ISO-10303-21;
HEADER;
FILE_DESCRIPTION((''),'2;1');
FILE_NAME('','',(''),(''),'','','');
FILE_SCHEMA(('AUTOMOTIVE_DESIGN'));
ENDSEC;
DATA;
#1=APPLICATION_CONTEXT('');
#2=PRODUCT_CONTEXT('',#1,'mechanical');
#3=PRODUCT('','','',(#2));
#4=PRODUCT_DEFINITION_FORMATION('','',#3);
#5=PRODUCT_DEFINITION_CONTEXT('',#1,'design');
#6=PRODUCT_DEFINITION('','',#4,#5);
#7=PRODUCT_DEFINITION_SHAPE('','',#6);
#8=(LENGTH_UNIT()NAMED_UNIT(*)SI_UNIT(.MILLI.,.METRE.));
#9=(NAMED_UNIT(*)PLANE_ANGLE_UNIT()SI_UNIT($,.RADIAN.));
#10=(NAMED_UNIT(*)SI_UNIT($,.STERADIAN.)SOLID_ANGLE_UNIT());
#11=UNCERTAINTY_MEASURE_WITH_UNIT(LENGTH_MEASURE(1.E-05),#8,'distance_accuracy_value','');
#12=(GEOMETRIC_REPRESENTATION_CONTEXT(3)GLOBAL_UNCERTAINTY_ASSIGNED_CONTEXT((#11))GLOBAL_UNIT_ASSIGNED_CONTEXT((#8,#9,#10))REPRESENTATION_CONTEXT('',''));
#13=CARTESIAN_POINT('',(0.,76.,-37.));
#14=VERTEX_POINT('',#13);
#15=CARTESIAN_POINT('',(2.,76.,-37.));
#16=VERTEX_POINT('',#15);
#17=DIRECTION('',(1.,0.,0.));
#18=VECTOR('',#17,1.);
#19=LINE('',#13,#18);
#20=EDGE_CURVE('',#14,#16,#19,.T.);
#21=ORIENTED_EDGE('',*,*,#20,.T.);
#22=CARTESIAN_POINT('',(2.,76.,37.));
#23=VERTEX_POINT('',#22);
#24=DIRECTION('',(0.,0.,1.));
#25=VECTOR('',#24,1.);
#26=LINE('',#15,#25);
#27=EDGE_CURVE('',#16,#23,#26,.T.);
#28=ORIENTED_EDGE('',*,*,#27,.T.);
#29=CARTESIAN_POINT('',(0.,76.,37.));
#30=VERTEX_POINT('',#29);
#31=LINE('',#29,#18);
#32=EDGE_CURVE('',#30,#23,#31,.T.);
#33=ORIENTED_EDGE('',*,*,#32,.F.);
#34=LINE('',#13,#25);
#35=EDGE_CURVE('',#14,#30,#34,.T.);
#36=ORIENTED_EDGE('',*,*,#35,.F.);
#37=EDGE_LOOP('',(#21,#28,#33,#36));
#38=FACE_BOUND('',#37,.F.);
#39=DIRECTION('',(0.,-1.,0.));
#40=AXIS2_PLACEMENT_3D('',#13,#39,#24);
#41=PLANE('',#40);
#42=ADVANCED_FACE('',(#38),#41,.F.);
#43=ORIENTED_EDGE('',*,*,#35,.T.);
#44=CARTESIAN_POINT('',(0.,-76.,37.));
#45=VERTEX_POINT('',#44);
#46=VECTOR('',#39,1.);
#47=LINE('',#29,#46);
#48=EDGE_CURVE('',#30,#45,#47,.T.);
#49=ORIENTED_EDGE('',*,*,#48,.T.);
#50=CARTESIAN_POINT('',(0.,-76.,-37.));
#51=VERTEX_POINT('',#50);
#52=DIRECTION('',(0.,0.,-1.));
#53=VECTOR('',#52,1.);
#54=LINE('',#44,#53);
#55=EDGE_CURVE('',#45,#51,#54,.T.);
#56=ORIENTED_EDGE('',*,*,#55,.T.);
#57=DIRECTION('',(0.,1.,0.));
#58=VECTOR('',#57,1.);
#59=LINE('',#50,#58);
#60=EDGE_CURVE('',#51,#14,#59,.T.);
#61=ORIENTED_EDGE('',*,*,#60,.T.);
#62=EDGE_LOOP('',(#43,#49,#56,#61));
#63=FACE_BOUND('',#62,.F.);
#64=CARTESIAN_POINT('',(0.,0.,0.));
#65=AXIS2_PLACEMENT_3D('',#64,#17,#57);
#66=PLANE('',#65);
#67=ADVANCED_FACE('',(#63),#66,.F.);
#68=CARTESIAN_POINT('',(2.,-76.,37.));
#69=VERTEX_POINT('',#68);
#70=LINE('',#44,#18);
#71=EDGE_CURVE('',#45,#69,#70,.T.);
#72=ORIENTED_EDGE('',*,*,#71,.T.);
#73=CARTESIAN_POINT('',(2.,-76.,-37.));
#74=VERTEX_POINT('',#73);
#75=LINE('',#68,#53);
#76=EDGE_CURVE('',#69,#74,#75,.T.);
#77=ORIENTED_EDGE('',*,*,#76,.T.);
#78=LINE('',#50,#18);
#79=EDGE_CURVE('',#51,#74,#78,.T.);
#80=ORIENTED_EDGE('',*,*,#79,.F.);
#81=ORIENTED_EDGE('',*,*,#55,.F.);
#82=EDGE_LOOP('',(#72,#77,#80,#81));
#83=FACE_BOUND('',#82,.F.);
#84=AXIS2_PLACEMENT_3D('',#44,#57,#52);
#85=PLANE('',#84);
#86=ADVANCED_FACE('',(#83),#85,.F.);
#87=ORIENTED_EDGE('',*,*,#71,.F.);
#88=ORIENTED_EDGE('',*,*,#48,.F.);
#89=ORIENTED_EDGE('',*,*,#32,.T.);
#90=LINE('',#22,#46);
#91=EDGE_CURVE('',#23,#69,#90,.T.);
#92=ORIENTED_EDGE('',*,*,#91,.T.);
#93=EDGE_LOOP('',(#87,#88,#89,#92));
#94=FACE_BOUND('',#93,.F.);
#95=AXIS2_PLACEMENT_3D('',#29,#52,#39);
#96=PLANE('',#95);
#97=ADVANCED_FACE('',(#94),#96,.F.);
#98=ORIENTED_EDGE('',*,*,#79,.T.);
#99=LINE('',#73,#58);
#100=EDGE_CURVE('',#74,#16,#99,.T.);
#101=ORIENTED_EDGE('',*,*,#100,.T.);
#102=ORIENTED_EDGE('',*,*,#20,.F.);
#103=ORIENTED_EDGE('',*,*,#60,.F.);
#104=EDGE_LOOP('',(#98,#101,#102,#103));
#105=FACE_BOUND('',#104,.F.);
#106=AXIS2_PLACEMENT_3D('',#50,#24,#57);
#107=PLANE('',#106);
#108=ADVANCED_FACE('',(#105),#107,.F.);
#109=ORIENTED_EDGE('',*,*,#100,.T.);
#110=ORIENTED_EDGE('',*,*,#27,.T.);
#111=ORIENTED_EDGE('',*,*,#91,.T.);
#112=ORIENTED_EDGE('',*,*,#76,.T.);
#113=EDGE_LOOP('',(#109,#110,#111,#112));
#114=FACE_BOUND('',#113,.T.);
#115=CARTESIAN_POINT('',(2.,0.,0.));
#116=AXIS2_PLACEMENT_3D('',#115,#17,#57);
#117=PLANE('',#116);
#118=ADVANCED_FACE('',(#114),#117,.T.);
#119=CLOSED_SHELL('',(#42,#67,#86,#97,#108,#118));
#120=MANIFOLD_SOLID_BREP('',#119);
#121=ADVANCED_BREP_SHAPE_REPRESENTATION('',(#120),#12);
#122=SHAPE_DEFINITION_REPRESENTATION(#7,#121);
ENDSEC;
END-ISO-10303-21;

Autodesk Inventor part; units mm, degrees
ref_plane "YZ Plane" through (0, 0, 0) normal (1, 0, 0) x (0, 1, 0)
ref_plane "XZ Plane" through (0, 0, 0) normal (0, 1, 0) x (-1, 0, 0)
ref_plane "XY Plane" through (0, 0, 0) normal (0, 0, 1) x (1, 0, 0)
sketch "스케치1" plane through (0, 0, 0) normal (1, 0, 0) x (0, 1, 0)
  line L0 (76, 37) -> (-76, 37)
  line L1 (-76, 37) -> (-76, -37)
  line L2 (-76, -37) -> (76, -37)
  line L3 (76, -37) -> (76, 37)
  point P0 (0, 0)
  dimension "d0" = 152
  dimension "d1" = 74
  dimension "d2" = 37
  dimension "d3" = 76
extrude "돌출1" add sketch "스케치1" along normal blind 2
equation "\"d2\" = 0.5 * d1"
equation "\"d3\" = 0.5 * d0"
properties part number "가로로만 옆판"
